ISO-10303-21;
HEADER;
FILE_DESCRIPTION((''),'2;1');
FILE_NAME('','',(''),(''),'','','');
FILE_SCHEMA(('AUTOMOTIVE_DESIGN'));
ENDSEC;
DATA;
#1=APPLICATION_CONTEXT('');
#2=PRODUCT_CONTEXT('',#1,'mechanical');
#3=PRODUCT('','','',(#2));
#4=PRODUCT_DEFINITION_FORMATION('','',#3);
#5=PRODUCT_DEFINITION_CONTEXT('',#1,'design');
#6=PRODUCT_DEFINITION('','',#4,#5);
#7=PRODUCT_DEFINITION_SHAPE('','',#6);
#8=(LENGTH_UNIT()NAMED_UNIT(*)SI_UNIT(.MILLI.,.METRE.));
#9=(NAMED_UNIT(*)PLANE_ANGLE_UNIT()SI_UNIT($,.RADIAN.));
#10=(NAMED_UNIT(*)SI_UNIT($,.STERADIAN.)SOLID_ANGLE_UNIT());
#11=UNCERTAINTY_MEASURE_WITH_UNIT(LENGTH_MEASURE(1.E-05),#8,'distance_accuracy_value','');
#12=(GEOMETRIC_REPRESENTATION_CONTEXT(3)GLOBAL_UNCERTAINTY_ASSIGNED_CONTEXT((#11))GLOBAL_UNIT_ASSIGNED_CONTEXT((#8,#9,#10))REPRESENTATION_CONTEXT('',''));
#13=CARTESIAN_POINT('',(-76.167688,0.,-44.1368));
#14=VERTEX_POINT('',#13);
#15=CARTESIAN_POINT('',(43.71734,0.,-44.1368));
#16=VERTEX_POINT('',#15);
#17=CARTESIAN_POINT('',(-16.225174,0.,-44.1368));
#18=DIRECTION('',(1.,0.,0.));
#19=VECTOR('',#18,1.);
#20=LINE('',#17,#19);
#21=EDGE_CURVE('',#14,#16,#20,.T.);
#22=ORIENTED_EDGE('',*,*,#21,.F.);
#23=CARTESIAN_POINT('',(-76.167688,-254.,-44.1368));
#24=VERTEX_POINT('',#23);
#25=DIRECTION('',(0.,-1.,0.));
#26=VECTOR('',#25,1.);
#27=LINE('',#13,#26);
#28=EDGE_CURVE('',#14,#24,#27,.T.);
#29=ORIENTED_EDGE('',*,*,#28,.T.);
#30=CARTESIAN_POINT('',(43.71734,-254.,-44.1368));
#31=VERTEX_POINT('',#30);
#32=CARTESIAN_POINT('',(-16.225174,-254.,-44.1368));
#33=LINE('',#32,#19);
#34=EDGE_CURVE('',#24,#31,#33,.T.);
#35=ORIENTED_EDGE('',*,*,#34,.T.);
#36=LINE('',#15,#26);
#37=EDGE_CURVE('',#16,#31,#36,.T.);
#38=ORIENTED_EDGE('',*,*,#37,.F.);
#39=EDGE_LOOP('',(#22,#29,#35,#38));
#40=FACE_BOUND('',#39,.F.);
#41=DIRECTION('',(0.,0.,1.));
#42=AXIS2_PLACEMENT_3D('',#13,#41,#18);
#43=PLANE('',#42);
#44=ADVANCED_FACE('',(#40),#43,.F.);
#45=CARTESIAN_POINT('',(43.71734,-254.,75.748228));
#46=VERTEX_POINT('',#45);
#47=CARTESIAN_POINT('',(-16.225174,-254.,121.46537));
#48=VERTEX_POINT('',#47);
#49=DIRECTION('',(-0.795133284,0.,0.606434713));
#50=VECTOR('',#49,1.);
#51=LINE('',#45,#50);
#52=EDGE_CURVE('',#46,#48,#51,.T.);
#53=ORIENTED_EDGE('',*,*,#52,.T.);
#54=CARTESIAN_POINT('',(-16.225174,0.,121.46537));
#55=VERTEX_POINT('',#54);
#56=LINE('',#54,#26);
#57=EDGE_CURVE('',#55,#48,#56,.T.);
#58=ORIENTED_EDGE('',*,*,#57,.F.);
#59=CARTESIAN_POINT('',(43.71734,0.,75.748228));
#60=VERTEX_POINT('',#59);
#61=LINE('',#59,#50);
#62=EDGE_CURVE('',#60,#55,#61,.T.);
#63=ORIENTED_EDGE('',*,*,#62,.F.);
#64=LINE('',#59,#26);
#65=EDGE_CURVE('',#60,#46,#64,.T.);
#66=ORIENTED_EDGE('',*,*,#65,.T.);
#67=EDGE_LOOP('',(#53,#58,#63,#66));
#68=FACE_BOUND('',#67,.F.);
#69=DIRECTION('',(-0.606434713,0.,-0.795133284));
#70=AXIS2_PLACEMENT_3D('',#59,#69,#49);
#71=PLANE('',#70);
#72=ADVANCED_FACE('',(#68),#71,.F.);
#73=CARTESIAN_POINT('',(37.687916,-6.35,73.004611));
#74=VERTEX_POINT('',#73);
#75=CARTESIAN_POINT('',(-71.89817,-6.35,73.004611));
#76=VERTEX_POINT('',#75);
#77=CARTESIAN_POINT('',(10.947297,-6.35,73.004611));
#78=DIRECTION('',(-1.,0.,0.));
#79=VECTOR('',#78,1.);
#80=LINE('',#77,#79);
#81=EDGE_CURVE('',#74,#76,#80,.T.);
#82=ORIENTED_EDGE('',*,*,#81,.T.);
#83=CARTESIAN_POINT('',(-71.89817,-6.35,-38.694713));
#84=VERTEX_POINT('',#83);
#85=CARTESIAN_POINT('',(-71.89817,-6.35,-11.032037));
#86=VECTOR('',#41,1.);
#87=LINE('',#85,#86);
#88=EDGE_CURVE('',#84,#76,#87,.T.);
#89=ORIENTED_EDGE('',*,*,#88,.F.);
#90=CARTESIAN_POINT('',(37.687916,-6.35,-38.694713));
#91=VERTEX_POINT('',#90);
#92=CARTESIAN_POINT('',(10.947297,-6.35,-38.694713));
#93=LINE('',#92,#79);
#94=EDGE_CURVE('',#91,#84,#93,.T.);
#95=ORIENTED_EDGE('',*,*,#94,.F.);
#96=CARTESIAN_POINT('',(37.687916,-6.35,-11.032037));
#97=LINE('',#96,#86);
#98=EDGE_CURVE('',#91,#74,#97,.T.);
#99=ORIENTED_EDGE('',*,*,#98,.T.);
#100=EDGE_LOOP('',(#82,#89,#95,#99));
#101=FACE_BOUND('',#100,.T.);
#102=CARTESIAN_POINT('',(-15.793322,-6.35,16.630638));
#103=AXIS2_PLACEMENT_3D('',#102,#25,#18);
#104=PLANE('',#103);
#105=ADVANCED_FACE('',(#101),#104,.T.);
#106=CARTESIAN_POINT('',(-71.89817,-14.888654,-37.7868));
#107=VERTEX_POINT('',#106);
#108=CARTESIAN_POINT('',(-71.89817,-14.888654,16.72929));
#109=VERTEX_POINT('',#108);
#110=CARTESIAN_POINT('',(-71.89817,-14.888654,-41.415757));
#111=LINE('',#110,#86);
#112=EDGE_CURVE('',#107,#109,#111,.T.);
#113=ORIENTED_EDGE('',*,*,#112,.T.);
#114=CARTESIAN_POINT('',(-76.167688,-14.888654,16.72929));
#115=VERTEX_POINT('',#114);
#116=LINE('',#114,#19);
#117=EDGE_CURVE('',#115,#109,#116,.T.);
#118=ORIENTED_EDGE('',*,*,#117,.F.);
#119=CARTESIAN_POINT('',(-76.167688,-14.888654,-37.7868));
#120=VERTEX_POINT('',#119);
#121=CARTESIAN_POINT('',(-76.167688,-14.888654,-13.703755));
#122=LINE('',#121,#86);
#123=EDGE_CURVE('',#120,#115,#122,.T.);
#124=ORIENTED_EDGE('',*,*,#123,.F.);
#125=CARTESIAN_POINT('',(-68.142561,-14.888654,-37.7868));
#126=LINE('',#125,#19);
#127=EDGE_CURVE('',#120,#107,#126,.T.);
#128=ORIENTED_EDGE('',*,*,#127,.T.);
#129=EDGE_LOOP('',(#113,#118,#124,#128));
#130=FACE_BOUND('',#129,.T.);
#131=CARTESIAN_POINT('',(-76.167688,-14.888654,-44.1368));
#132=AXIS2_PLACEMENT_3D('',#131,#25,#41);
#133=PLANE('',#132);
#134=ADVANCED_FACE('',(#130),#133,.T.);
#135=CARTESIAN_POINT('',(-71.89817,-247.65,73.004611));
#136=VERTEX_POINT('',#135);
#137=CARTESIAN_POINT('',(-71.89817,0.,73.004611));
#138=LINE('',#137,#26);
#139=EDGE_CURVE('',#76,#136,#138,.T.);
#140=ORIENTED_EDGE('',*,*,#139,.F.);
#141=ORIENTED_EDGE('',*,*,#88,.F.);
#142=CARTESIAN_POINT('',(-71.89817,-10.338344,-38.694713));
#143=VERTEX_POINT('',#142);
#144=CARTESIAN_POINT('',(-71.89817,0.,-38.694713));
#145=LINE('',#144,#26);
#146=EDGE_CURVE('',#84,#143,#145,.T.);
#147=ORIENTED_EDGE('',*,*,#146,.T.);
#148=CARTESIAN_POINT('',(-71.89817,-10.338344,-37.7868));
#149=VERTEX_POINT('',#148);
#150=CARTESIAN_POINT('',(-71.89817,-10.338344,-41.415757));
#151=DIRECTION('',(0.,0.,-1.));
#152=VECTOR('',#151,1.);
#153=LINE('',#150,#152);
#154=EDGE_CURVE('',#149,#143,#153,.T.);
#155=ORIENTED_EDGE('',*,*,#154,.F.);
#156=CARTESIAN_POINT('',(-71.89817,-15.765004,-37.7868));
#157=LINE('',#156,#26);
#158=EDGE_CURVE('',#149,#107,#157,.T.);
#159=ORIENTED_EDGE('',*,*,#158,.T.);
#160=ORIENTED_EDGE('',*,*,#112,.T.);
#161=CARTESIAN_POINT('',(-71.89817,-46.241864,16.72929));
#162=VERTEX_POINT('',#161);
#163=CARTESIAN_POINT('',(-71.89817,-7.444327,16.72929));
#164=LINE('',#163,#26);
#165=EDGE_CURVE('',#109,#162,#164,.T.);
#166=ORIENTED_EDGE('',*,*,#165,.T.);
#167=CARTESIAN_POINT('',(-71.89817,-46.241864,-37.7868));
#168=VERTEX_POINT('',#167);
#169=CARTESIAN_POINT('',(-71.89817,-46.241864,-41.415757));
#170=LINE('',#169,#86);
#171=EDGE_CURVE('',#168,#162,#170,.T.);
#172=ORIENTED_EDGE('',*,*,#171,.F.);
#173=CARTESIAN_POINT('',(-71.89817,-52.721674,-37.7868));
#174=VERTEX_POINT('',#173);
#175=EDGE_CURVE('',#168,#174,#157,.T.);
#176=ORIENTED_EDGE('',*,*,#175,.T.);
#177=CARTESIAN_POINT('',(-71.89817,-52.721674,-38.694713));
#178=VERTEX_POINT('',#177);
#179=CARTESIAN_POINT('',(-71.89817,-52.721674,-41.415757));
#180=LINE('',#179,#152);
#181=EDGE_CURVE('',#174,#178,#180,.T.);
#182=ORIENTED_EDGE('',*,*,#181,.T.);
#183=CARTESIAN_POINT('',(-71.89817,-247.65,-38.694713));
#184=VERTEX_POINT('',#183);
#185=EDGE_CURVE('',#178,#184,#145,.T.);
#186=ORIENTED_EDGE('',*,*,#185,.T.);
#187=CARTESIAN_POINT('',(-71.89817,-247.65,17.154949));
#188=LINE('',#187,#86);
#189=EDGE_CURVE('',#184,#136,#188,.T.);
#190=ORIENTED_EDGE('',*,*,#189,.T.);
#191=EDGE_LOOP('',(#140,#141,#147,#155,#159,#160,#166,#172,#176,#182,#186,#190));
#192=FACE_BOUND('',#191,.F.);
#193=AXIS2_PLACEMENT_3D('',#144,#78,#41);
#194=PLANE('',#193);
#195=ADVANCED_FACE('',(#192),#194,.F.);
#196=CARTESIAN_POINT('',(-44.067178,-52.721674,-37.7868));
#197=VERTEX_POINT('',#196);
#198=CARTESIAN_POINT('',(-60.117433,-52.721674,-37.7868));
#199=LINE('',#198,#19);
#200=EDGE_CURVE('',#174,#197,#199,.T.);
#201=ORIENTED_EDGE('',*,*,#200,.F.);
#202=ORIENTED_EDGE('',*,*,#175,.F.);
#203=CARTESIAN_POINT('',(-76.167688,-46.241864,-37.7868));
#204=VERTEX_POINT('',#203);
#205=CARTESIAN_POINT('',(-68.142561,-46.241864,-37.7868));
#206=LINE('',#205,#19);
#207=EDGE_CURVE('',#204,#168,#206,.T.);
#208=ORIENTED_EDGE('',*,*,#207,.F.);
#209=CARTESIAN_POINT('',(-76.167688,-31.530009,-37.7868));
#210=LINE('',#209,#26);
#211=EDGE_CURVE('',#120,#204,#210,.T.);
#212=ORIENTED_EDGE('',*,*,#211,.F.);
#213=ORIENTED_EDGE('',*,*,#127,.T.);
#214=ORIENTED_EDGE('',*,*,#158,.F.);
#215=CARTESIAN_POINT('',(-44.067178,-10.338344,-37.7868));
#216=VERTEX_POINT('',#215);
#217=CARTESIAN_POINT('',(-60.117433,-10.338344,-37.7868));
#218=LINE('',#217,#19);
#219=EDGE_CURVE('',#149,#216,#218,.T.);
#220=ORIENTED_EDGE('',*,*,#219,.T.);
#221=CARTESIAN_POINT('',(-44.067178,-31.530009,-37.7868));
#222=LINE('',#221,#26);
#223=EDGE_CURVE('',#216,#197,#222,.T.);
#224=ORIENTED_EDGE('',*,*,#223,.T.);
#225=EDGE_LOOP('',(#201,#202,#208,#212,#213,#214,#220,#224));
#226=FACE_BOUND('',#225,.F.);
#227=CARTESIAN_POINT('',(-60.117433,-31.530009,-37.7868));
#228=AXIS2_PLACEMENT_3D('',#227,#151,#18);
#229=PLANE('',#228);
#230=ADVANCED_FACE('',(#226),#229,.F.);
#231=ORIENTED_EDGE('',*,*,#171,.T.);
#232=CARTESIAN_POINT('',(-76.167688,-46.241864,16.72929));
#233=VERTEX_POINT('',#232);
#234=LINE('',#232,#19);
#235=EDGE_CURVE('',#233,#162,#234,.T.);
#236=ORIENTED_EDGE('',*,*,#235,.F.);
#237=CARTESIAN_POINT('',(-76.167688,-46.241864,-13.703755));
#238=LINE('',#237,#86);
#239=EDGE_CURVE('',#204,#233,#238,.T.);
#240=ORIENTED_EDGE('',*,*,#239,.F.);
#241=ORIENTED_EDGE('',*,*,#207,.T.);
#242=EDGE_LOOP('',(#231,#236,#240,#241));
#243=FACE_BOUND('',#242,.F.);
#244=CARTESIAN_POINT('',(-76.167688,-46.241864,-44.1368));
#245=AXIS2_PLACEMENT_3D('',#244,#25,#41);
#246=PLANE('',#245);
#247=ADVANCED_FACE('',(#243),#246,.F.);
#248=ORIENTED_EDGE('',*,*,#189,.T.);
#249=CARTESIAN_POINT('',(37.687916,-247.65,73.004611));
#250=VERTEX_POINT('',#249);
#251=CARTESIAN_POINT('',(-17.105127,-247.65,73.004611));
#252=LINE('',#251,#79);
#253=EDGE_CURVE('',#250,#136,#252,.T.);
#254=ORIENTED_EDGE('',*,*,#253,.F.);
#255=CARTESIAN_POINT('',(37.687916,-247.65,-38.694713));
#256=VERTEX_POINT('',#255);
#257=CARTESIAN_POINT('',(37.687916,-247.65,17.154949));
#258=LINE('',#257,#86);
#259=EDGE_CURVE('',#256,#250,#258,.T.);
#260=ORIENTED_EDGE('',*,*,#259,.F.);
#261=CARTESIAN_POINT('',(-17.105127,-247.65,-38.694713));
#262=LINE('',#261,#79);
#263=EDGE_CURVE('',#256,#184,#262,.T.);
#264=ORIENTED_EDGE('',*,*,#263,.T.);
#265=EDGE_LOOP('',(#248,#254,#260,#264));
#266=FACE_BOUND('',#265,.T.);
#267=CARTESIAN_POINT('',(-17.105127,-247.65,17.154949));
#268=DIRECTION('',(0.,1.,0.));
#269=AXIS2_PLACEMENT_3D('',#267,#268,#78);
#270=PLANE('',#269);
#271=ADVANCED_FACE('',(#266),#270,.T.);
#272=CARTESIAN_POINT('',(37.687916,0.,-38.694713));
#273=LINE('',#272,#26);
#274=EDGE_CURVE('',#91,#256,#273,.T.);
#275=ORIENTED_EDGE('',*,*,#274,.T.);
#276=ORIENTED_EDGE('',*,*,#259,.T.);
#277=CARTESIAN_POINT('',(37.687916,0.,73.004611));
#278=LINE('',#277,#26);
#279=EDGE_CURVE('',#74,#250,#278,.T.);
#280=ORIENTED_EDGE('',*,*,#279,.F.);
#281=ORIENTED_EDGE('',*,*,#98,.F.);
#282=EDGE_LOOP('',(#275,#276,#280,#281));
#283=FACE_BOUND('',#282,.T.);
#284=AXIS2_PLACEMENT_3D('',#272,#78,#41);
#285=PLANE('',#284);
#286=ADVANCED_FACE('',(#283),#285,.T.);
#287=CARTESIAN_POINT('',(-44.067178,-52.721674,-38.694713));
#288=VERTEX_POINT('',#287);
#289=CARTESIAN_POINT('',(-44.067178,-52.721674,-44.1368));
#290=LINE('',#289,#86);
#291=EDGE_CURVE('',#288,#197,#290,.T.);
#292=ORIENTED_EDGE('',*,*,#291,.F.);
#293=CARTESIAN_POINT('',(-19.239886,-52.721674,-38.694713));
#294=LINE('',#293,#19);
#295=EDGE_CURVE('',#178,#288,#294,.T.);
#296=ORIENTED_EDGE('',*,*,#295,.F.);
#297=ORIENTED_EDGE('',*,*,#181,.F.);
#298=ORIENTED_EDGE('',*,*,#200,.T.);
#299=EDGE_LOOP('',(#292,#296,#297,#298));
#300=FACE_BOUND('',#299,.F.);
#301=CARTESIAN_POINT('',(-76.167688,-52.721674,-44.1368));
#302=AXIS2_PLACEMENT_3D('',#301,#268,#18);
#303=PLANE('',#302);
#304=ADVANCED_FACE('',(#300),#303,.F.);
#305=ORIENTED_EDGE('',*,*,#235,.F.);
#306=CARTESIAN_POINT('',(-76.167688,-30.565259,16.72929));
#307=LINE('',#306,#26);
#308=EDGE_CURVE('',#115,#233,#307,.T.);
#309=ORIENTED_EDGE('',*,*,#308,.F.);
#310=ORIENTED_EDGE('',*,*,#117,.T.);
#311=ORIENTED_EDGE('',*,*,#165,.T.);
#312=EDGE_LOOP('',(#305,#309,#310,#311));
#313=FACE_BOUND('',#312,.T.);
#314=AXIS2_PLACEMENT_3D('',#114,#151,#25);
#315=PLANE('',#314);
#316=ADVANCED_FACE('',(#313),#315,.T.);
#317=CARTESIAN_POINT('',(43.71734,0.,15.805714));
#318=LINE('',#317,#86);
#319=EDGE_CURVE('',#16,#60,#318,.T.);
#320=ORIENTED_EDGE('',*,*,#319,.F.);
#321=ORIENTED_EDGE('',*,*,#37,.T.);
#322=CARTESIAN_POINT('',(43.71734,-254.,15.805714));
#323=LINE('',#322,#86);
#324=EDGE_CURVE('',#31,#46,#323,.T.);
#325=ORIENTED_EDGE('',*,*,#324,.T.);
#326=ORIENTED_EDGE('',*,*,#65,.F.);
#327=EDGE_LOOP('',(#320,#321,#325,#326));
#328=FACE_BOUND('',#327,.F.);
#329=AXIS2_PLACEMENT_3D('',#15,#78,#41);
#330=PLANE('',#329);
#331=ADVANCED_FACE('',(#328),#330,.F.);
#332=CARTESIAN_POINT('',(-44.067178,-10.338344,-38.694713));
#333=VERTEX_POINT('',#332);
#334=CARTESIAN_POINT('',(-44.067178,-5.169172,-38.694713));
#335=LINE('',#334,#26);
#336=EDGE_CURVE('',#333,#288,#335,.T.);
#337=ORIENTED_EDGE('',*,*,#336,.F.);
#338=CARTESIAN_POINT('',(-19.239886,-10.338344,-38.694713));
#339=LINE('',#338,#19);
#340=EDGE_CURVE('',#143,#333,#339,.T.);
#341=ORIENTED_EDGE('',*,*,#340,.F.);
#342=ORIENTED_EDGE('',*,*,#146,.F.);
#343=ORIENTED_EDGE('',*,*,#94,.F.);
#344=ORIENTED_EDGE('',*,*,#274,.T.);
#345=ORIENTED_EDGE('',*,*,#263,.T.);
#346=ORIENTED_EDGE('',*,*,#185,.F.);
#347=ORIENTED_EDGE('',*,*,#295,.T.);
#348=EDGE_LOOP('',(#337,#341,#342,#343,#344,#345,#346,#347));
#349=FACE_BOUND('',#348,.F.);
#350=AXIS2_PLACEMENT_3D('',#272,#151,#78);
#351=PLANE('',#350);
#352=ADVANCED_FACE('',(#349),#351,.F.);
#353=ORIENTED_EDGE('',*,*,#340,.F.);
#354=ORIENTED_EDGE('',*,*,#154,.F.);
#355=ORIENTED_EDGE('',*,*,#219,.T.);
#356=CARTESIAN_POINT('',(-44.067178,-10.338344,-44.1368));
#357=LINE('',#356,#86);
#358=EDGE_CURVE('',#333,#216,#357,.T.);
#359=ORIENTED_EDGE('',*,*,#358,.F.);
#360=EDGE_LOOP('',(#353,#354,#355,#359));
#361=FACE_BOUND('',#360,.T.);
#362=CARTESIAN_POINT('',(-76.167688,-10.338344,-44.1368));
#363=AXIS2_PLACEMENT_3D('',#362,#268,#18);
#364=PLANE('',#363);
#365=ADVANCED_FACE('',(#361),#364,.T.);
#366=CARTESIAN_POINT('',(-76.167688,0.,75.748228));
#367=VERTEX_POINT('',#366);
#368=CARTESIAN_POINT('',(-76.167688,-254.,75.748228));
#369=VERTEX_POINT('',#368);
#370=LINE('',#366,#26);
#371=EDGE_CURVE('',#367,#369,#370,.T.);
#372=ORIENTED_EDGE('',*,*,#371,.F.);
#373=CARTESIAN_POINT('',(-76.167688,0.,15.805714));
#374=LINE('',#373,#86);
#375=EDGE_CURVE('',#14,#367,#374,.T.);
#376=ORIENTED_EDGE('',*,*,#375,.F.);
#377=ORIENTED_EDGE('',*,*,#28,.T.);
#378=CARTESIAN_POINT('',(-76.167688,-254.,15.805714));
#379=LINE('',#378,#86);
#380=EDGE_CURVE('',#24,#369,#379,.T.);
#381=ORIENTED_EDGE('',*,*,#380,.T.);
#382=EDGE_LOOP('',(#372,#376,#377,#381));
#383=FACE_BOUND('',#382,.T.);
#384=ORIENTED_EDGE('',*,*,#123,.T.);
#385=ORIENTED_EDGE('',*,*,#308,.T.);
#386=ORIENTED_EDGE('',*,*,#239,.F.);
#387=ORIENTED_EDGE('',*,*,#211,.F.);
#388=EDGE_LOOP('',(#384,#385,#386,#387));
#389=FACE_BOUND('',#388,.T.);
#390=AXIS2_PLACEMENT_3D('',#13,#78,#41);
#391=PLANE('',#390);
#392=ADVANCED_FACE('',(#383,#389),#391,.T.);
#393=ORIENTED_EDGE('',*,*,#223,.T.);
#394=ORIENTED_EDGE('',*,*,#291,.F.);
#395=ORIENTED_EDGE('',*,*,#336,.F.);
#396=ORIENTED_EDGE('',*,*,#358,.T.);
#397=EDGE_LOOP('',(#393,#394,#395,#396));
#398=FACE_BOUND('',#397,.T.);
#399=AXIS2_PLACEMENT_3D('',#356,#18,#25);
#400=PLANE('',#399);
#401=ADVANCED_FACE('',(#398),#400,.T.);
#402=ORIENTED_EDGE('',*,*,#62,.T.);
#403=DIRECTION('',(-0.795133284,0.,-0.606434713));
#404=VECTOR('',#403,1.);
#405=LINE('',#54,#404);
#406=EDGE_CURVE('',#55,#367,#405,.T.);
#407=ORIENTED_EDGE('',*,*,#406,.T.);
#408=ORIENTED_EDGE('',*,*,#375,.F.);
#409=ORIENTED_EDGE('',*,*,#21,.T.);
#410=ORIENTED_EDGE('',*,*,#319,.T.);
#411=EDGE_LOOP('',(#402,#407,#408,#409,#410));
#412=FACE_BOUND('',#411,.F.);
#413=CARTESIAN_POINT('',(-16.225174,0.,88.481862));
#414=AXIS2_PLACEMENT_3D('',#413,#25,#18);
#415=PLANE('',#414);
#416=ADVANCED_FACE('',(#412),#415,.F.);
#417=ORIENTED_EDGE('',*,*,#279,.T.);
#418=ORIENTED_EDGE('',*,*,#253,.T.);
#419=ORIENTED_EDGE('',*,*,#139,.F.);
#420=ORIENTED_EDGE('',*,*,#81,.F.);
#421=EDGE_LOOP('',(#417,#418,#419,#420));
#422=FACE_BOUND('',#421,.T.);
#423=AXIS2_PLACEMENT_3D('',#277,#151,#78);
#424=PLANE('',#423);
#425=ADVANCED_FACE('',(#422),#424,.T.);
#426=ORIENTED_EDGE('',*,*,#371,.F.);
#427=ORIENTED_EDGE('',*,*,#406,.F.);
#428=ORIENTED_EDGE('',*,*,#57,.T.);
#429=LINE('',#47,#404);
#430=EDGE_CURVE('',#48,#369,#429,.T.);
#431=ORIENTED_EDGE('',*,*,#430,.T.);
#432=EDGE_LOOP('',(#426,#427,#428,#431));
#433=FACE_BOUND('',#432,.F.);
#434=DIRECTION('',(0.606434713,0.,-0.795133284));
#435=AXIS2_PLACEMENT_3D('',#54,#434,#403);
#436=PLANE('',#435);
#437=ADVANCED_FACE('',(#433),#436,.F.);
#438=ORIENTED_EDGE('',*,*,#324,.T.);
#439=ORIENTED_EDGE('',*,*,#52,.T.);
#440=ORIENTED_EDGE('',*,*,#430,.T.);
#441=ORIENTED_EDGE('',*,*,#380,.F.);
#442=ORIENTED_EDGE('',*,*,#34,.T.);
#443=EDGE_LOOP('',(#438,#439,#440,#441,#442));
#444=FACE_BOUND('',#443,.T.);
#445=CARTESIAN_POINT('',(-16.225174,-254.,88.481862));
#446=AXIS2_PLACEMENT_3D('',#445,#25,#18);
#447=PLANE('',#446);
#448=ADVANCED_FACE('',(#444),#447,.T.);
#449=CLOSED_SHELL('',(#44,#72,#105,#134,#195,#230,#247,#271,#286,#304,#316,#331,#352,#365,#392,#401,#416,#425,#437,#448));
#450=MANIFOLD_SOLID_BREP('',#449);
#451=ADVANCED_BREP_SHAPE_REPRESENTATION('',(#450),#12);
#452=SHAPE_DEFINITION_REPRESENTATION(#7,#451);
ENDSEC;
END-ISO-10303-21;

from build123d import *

# Parameters (mm, degrees)
F0_W     = 119.885028
F0_H     = 119.885028
F1_DEPTH = 254
F2_W     = 109.586086
F2_H     = 111.699324
F3_DEPTH = 247.65
F4_W     = 31.353211
F4_H     = 60.86609
F5_DEPTH = 25.4
F6_W     = 116.465766
F6_H     = 116.456397
F7_DEPTH = 6.35
F8_W     = 32.10051
F8_H     = 42.383331
F9_DEPTH = 6.35


with BuildPart() as f1:
    # F0 (on Front) → F1 (new body)
    with BuildSketch(Plane.XZ):
        Polygon((-16.225174, 121.46537), (-76.167688, 75.748228), (43.71734, 75.748228), align=None)
        with Locations((-16.225174, 15.805714)):
            Rectangle(F0_W, F0_H)
    extrude(amount=F1_DEPTH)

    # F2 (on face) → F3 (cut)
    with BuildSketch(Plane(origin=(0, 0, 0), x_dir=(-1, 0, 0), z_dir=(0, 1, 0))):
        with Locations((17.105127, 17.154949)):
            Rectangle(F2_W, F2_H)
    extrude(amount=-F3_DEPTH, mode=Mode.SUBTRACT)

    # F4 (on face) → F5 (cut)
    with BuildSketch(Plane(origin=(-76.167688, 0, 0), x_dir=(0, -1, 0), z_dir=(-1, 0, 0))):
        with Locations((30.565259, -13.703755)):
            Rectangle(F4_W, F4_H)
    extrude(amount=-F5_DEPTH, mode=Mode.SUBTRACT)

    # F6 (on Front) → F7 (join)
    with BuildSketch(Plane.XZ):
        with Locations((-15.793322, 16.630638)):
            Rectangle(F6_W, F6_H)
    extrude(amount=F7_DEPTH)

    # F8 (on face) → F9 (join)
    with BuildSketch(Plane(origin=(0, 0, -44.1368), x_dir=(1, 0, 0), z_dir=(0, 0, -1))):
        with Locations((-60.117433, 31.530009)):
            Rectangle(F8_W, F8_H)
    extrude(amount=-F9_DEPTH)


solid = f1.part
